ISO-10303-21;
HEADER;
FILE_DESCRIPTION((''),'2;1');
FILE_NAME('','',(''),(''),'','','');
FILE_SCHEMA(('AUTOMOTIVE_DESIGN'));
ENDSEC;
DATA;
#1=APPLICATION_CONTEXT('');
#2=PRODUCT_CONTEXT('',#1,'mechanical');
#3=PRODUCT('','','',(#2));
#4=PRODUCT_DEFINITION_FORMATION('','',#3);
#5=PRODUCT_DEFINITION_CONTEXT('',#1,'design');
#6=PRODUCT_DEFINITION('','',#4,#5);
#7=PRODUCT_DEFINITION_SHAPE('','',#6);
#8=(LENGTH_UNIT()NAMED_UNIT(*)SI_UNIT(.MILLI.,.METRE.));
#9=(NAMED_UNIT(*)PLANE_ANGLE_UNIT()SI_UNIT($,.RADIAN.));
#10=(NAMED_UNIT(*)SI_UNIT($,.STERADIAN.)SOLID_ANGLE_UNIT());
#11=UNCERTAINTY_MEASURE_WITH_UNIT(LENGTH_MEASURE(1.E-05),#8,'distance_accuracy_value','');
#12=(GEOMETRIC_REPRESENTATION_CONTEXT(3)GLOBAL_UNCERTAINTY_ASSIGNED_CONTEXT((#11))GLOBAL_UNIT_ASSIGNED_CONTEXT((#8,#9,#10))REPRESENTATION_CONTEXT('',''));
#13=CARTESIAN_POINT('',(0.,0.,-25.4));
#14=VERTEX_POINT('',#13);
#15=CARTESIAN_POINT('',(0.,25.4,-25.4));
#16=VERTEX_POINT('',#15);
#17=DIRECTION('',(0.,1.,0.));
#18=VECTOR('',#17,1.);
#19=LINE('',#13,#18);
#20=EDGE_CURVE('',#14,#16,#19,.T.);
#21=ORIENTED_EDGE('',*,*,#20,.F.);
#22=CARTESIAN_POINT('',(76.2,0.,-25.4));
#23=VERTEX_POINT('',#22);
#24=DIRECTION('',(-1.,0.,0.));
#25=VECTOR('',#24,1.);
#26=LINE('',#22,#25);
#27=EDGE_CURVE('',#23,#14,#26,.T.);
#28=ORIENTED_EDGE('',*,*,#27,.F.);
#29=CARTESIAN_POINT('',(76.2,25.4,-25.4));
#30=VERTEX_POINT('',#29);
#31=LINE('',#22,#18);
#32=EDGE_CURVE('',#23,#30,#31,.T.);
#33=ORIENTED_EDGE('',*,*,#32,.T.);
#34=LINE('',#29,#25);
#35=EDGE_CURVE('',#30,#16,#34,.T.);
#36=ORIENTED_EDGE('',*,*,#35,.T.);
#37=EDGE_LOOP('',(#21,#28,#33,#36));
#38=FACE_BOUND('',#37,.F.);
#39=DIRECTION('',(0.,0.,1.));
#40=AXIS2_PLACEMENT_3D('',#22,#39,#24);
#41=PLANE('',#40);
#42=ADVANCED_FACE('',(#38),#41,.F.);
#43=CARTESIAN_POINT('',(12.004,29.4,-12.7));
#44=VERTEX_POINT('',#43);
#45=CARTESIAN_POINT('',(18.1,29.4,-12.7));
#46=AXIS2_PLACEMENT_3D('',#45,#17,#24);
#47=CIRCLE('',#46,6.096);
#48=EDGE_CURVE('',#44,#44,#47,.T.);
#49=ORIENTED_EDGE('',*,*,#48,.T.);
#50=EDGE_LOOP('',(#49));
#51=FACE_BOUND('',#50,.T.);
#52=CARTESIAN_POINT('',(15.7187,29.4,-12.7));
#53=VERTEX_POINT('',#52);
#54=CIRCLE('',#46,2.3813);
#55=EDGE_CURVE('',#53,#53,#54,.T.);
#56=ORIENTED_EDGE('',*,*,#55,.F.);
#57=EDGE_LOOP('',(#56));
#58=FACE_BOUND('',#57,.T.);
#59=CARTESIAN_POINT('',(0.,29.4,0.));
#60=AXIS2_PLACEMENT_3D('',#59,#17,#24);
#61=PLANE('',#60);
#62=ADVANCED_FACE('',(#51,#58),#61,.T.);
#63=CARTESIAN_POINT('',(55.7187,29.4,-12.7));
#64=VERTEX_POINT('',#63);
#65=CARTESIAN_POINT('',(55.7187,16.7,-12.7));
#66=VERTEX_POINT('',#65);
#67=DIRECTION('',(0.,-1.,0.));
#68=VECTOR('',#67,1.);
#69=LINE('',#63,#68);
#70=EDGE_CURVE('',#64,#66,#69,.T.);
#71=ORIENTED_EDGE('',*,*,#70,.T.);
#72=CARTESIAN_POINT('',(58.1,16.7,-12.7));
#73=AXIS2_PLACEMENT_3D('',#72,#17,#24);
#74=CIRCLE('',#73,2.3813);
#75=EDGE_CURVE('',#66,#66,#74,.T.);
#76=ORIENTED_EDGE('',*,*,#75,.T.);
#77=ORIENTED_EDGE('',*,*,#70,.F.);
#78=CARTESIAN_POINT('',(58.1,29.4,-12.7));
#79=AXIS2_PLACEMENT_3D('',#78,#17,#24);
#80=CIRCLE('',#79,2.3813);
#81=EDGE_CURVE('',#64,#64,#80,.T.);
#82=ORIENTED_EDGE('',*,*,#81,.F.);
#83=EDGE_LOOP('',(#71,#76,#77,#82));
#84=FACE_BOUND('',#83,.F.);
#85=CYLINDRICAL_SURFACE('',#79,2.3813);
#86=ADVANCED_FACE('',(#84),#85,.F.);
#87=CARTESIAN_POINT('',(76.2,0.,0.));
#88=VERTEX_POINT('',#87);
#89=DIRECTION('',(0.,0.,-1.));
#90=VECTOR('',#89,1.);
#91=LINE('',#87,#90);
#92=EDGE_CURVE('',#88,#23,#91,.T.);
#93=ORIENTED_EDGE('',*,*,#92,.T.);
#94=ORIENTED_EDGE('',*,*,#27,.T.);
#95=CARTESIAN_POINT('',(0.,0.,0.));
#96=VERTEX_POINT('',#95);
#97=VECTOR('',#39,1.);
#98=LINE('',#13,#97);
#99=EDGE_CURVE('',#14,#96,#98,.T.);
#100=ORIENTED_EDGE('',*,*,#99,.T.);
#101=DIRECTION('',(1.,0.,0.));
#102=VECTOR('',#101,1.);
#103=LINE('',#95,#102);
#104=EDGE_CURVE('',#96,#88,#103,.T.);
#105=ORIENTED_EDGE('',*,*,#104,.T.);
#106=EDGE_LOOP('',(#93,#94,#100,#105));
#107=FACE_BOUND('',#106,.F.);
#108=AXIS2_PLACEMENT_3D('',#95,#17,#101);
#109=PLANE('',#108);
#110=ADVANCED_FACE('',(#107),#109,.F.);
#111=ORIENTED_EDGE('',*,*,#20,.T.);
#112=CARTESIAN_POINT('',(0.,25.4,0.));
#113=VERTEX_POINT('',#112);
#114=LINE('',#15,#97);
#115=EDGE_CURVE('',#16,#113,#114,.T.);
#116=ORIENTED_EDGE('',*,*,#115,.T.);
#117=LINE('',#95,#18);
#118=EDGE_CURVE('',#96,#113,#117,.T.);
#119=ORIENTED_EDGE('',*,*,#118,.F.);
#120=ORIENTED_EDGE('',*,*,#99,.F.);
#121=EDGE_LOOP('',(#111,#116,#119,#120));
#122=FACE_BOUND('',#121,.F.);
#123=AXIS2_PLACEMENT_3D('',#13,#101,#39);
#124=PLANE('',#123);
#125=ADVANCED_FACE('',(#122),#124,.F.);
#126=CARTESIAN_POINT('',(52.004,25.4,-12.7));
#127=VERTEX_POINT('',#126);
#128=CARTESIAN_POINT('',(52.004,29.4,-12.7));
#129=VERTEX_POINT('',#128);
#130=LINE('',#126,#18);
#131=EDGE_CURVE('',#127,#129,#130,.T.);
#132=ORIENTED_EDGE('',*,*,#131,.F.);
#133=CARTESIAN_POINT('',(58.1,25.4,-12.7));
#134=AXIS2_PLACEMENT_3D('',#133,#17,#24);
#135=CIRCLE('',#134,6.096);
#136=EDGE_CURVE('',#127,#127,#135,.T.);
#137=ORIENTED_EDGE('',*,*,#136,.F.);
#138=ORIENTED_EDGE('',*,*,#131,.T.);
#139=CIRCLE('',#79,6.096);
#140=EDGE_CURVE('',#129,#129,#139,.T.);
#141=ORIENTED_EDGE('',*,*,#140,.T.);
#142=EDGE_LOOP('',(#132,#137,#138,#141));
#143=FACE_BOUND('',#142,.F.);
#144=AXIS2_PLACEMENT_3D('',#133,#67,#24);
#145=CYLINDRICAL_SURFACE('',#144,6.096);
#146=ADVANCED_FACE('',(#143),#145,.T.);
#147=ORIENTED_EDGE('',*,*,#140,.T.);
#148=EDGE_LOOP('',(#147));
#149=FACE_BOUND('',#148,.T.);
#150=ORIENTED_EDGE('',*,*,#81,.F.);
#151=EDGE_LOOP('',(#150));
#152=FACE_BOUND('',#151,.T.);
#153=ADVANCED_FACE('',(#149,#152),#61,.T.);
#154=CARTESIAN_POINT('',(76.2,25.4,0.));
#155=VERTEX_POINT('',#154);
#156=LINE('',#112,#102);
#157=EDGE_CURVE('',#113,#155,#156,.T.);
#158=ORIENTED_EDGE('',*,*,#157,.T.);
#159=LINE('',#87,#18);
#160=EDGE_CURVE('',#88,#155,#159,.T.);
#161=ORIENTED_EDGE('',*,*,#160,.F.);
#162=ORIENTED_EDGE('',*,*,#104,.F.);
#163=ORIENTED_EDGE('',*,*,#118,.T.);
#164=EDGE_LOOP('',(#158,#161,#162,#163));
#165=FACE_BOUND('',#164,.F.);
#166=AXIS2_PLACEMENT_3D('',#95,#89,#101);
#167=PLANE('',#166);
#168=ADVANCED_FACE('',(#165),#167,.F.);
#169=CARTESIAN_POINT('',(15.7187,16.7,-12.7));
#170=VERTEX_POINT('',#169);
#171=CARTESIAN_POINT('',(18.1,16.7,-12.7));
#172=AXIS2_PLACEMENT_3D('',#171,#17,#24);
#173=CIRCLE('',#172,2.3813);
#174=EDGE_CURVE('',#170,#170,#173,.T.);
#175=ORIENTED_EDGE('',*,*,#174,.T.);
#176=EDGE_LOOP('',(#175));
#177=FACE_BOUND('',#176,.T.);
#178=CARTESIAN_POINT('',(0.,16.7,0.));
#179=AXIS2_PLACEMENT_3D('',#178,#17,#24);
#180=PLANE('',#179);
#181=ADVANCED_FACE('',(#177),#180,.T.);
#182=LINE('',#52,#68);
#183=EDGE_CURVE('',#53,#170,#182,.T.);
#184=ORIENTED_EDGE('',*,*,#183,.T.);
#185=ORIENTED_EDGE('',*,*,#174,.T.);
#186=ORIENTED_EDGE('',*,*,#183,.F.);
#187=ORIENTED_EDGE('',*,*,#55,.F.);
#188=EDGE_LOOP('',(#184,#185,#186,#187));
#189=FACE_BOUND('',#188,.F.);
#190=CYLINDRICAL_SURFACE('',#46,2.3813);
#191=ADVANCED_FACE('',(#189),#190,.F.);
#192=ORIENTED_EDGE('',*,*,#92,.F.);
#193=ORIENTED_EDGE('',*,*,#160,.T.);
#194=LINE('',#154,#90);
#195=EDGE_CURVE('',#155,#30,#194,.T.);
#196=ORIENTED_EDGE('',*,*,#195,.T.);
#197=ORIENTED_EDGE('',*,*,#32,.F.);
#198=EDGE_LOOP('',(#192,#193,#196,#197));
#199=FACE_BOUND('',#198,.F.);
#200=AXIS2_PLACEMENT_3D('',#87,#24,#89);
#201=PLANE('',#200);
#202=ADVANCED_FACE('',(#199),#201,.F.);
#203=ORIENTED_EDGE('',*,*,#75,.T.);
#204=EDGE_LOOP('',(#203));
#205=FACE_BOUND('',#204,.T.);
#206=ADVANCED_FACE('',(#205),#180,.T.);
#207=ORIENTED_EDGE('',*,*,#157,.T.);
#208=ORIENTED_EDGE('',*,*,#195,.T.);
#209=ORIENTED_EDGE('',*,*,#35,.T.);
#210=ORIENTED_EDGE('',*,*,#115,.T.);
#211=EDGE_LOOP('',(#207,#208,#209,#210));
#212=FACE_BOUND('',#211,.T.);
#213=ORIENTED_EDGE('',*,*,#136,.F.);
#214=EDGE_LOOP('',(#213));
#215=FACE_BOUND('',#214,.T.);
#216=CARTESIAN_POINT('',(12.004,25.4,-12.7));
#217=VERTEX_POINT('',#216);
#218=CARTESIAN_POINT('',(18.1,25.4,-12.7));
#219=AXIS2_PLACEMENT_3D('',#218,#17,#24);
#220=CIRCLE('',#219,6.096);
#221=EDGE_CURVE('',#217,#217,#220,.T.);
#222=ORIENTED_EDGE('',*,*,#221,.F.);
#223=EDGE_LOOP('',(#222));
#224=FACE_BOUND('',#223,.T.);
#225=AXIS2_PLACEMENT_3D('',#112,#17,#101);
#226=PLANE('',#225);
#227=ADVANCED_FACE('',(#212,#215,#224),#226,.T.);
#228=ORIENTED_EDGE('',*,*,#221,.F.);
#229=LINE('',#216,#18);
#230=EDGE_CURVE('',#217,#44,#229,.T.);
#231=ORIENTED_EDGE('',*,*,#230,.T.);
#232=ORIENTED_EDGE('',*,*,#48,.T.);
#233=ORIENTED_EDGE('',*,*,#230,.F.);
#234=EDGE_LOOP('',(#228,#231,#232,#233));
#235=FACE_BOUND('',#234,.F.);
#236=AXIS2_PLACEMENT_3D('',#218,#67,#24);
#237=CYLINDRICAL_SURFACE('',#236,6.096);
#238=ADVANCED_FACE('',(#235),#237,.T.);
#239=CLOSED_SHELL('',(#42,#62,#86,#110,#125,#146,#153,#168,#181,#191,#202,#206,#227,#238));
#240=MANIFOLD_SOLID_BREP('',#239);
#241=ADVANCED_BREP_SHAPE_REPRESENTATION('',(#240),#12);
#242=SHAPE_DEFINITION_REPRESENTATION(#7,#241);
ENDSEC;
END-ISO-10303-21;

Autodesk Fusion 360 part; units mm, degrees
sketch "Sketch1" plane through (0, 0, 0) normal (0, 1, 0) x (1, 0, 0)
  line L0 (0, 0) -> (76.2, 0)
  line L1 (76.2, 0) -> (76.2, 25.4)
  line L2 (76.2, 25.4) -> (0, 25.4)
  line L3 (0, 25.4) -> (0, 0)
  dimension "d1" = 76.2
  dimension "d2" = 25.4
extrude "Extrude1" add sketch "Sketch1" along normal blind 25.4
sketch "Sketch2" plane through (0, 25.4, 0) normal (0, 1, 0) x (-1, 0, 0)
  line L0 (0, -25.4) -> (0, 0)
  line L1 (0, 0) -> (-76.2, 0)
  line L2 (-76.2, 0) -> (-76.2, -25.4)
  line L3 (-76.2, -25.4) -> (0, -25.4)
  circle A0 centre (-18.1, -12.7) radius 6.096
  circle A1 centre (-58.1, -12.7) radius 6.096
  dimension "d6" = 12.192
  dimension "d8" = 12.192
extrude "Extrude2" add sketch "Sketch2" along normal blind 4 contours A0 | A1
sketch "Sketch3" plane through (0, 29.4, 0) normal (0, 1, 0) x (-1, 0, 0)
  circle A0 centre (-18.1, -12.7) radius 6.096
  circle A1 centre (-18.1, -12.7) radius 2.3813
  dimension "d11" = 4.7625
extrude "Extrude3" cut sketch "Sketch3" against normal blind 12.7 contours A1
sketch "Sketch4" plane through (0, 29.4, 0) normal (0, 1, 0) x (-1, 0, 0)
  circle A0 centre (-58.1, -12.7) radius 6.096
  circle A1 centre (-58.1, -12.7) radius 2.3813
  dimension "d14" = 4.7625
extrude "Extrude4" cut sketch "Sketch4" against normal blind 12.7 contours A1
